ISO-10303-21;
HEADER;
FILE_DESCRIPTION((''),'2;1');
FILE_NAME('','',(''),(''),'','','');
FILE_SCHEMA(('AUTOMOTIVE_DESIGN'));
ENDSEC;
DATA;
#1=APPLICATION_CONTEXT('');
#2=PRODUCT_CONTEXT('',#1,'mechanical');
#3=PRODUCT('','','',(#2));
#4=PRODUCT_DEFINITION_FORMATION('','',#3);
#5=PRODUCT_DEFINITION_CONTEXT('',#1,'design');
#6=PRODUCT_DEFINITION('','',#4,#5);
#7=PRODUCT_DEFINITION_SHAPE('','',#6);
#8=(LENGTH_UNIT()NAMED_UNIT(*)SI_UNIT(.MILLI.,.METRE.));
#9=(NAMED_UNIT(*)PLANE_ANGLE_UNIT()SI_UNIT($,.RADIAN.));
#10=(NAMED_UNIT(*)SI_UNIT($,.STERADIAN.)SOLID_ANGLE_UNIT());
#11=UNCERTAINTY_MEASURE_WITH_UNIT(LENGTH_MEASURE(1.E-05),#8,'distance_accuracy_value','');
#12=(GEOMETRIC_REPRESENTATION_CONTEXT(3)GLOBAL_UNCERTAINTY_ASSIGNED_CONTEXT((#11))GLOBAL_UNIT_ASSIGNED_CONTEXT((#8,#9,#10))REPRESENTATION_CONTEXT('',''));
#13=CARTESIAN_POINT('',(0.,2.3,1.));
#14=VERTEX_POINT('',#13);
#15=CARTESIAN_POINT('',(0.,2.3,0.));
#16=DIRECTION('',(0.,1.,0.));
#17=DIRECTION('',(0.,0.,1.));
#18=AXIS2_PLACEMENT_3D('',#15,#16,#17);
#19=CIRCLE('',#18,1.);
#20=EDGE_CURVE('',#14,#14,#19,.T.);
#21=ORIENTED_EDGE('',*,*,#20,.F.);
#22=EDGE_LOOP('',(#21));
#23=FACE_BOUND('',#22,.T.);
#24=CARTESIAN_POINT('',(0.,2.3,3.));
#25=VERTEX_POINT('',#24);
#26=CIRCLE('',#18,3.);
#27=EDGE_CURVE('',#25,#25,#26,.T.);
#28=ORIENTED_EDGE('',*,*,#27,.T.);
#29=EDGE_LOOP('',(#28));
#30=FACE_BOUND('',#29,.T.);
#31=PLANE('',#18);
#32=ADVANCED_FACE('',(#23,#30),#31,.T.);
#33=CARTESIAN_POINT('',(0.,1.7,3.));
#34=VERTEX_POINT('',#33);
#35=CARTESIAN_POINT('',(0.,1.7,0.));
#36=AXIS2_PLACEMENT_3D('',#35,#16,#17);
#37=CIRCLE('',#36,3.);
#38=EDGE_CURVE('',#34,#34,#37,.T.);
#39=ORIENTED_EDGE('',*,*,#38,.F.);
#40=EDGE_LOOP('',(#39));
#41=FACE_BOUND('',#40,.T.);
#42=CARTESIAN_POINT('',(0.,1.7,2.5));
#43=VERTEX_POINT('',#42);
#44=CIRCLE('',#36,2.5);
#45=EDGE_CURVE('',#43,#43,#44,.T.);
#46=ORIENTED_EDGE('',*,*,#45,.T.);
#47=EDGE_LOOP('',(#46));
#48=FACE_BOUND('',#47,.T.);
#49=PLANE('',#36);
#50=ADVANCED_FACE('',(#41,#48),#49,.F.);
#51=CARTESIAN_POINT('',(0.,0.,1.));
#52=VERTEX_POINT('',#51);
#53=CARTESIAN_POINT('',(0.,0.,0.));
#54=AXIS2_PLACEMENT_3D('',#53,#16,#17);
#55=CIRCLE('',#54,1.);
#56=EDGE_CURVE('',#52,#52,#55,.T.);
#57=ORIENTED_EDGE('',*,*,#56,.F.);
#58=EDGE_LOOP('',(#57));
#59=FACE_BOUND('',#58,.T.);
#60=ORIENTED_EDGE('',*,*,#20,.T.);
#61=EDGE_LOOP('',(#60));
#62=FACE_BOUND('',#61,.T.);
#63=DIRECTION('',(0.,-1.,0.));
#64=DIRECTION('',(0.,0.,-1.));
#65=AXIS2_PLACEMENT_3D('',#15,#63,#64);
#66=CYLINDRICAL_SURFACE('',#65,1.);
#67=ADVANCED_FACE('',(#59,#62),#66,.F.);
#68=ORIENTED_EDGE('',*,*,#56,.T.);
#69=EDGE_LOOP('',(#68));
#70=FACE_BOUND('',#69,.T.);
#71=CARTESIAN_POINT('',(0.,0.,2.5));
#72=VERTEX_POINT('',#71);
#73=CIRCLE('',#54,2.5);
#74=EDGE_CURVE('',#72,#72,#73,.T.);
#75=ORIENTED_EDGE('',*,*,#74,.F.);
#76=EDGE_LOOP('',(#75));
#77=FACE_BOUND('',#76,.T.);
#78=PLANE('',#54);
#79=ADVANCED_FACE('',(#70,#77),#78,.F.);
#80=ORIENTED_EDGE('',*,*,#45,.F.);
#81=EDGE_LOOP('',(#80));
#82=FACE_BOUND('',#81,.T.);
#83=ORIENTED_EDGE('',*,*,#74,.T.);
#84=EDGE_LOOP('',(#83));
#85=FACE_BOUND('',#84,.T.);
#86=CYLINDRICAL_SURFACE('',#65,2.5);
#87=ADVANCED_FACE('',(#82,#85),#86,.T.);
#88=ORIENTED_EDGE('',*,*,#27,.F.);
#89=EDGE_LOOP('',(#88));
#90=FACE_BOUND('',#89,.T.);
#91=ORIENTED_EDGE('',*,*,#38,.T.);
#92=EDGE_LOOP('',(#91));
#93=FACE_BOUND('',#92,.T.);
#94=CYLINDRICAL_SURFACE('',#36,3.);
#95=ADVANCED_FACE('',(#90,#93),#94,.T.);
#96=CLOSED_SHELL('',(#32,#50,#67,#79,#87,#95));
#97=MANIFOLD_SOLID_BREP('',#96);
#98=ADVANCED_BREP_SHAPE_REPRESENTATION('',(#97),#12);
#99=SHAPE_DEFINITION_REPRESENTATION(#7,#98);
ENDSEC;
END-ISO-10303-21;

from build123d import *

# Parameters (mm, degrees)
SKETCH_1_R      = 2.5
SKETCH_1_R_2    = 1
EXTRUDE_1_DEPTH = 2.3
EXTRUDE_START   = -0.6
SKETCH_2_R      = 3
SKETCH_2_R_2    = 1
EXTRUDE_2_DEPTH = 0.6


with BuildPart() as part:
    # 草图1 → 凸台-拉伸1 (new body)
    with BuildSketch(Plane(origin=(0, 0, 0), x_dir=(1, 0, 0), z_dir=(0, 1, 0))):
        with Locations(Location((0, 0, 0), (0, 0, 270))):
            Circle(SKETCH_1_R)
        with Locations(Location((0, 0, 0), (0, 0, 270))):
            Circle(SKETCH_1_R_2, mode=Mode.SUBTRACT)
    extrude(amount=EXTRUDE_1_DEPTH)

    # 草图2 → 凸台-拉伸2 (add)
    with BuildSketch(Plane(origin=(0, 2.3, 0), x_dir=(1, 0, 0), z_dir=(0, 1, 0)).offset(EXTRUDE_START)):
        with Locations(Location((0, 0, 0), (0, 0, 270))):
            Circle(SKETCH_2_R)
        with Locations(Location((0, 0, 0), (0, 0, 270))):
            Circle(SKETCH_2_R_2, mode=Mode.SUBTRACT)
    extrude(amount=EXTRUDE_2_DEPTH)


solid = part.part
